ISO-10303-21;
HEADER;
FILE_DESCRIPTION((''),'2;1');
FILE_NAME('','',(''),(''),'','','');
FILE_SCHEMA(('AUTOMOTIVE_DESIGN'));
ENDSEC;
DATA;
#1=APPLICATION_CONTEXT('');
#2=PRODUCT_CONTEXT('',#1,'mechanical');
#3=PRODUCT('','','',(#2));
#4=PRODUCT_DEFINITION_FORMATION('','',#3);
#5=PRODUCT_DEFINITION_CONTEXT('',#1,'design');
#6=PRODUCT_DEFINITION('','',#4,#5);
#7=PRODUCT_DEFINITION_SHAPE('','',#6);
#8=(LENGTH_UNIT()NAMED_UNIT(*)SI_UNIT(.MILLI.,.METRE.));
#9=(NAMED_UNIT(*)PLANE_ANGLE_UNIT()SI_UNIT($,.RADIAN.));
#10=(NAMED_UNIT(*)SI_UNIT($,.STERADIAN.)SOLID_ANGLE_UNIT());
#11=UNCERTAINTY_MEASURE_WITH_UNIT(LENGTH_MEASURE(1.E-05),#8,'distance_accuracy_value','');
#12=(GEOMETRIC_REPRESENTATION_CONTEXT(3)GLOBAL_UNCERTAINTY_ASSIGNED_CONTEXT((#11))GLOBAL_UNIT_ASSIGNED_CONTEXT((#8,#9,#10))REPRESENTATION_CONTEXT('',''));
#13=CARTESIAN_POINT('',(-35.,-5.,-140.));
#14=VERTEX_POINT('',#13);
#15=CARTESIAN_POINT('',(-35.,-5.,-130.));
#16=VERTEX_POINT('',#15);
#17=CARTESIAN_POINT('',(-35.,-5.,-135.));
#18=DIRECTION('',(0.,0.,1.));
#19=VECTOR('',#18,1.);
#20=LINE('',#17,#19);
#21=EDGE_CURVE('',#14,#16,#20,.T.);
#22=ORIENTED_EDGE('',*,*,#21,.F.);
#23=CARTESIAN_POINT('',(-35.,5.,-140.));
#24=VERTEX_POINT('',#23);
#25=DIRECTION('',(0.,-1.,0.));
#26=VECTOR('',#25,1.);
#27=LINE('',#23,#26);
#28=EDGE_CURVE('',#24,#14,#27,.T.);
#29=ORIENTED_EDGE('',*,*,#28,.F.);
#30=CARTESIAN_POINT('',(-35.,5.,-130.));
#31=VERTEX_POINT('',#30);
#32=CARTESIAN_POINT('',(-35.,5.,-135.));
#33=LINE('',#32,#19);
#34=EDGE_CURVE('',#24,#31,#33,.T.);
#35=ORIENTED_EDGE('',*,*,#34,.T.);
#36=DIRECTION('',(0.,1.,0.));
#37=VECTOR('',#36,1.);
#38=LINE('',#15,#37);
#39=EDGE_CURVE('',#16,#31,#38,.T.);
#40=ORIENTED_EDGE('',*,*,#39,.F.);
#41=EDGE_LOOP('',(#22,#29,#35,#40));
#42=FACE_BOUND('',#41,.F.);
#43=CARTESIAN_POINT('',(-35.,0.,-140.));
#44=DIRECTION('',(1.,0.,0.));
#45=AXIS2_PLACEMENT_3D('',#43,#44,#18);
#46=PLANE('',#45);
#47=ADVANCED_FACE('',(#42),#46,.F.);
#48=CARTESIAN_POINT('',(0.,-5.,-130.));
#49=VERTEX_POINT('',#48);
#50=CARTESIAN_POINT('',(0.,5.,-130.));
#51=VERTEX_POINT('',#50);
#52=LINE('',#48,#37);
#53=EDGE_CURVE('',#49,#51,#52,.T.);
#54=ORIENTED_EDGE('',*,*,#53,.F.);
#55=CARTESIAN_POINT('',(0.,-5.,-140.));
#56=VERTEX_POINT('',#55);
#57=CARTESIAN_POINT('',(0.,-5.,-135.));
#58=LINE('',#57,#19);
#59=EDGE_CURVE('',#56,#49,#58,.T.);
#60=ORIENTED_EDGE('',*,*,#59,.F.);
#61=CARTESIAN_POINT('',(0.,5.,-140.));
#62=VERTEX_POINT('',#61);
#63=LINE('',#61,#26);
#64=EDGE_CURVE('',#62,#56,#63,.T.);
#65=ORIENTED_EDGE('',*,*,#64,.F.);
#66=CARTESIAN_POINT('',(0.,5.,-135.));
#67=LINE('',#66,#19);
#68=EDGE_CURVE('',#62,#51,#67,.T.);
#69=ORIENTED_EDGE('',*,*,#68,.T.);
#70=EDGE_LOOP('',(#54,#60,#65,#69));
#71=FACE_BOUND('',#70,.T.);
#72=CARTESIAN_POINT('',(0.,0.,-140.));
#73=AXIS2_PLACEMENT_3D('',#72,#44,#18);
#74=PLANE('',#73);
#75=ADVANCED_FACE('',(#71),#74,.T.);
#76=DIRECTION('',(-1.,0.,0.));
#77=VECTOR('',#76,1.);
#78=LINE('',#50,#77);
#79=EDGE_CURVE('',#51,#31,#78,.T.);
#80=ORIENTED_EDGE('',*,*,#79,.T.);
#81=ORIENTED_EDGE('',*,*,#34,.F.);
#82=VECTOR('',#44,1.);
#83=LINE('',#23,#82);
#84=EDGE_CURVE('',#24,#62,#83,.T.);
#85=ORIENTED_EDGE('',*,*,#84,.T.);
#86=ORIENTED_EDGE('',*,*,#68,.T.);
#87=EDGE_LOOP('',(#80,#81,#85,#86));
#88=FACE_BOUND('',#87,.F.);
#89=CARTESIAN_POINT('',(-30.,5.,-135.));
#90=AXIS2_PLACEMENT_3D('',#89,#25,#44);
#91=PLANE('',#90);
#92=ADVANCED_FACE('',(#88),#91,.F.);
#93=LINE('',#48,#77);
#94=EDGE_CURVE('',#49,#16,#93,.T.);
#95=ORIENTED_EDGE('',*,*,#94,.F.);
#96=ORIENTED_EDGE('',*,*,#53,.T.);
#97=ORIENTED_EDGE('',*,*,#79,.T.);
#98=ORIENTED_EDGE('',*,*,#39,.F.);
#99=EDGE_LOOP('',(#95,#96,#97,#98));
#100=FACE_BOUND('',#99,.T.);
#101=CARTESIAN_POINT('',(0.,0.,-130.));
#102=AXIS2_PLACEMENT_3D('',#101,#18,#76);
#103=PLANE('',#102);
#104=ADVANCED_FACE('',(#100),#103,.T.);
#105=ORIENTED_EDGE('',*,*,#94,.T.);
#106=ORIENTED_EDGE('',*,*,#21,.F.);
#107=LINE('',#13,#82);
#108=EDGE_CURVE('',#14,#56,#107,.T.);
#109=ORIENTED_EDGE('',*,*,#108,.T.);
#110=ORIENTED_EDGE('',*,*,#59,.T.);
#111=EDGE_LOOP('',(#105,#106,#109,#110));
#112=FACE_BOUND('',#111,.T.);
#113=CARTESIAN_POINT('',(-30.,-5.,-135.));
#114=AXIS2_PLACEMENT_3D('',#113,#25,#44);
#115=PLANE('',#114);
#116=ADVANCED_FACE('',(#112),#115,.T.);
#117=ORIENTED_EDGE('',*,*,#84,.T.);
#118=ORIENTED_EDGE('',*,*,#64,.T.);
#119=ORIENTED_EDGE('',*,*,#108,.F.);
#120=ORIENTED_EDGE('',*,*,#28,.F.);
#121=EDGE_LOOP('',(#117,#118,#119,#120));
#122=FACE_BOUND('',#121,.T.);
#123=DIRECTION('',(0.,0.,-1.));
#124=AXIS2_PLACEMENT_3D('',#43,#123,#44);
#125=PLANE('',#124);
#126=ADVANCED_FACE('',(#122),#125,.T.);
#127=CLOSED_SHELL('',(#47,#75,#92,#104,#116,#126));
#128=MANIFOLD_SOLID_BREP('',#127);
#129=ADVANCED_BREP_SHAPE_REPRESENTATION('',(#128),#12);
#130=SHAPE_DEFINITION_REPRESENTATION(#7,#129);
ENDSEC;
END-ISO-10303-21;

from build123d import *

# Parameters (mm, degrees)
F0_W     = 10
F0_H     = 10
F0_W_2   = 20
F0_W_3   = 5
F1_DEPTH = 5


with BuildPart() as f1:
    # F0 (on Front) → F1 (new body, symmetric)
    with BuildSketch(Plane.XZ):
        with Locations((-30, -135)):
            Rectangle(F0_W, F0_H)
        with Locations((-15, -135)):
            Rectangle(F0_W_2, F0_H)
        with Locations((-2.5, -135)):
            Rectangle(F0_W_3, F0_H)
    extrude(amount=F1_DEPTH, both=True)


solid = f1.part
